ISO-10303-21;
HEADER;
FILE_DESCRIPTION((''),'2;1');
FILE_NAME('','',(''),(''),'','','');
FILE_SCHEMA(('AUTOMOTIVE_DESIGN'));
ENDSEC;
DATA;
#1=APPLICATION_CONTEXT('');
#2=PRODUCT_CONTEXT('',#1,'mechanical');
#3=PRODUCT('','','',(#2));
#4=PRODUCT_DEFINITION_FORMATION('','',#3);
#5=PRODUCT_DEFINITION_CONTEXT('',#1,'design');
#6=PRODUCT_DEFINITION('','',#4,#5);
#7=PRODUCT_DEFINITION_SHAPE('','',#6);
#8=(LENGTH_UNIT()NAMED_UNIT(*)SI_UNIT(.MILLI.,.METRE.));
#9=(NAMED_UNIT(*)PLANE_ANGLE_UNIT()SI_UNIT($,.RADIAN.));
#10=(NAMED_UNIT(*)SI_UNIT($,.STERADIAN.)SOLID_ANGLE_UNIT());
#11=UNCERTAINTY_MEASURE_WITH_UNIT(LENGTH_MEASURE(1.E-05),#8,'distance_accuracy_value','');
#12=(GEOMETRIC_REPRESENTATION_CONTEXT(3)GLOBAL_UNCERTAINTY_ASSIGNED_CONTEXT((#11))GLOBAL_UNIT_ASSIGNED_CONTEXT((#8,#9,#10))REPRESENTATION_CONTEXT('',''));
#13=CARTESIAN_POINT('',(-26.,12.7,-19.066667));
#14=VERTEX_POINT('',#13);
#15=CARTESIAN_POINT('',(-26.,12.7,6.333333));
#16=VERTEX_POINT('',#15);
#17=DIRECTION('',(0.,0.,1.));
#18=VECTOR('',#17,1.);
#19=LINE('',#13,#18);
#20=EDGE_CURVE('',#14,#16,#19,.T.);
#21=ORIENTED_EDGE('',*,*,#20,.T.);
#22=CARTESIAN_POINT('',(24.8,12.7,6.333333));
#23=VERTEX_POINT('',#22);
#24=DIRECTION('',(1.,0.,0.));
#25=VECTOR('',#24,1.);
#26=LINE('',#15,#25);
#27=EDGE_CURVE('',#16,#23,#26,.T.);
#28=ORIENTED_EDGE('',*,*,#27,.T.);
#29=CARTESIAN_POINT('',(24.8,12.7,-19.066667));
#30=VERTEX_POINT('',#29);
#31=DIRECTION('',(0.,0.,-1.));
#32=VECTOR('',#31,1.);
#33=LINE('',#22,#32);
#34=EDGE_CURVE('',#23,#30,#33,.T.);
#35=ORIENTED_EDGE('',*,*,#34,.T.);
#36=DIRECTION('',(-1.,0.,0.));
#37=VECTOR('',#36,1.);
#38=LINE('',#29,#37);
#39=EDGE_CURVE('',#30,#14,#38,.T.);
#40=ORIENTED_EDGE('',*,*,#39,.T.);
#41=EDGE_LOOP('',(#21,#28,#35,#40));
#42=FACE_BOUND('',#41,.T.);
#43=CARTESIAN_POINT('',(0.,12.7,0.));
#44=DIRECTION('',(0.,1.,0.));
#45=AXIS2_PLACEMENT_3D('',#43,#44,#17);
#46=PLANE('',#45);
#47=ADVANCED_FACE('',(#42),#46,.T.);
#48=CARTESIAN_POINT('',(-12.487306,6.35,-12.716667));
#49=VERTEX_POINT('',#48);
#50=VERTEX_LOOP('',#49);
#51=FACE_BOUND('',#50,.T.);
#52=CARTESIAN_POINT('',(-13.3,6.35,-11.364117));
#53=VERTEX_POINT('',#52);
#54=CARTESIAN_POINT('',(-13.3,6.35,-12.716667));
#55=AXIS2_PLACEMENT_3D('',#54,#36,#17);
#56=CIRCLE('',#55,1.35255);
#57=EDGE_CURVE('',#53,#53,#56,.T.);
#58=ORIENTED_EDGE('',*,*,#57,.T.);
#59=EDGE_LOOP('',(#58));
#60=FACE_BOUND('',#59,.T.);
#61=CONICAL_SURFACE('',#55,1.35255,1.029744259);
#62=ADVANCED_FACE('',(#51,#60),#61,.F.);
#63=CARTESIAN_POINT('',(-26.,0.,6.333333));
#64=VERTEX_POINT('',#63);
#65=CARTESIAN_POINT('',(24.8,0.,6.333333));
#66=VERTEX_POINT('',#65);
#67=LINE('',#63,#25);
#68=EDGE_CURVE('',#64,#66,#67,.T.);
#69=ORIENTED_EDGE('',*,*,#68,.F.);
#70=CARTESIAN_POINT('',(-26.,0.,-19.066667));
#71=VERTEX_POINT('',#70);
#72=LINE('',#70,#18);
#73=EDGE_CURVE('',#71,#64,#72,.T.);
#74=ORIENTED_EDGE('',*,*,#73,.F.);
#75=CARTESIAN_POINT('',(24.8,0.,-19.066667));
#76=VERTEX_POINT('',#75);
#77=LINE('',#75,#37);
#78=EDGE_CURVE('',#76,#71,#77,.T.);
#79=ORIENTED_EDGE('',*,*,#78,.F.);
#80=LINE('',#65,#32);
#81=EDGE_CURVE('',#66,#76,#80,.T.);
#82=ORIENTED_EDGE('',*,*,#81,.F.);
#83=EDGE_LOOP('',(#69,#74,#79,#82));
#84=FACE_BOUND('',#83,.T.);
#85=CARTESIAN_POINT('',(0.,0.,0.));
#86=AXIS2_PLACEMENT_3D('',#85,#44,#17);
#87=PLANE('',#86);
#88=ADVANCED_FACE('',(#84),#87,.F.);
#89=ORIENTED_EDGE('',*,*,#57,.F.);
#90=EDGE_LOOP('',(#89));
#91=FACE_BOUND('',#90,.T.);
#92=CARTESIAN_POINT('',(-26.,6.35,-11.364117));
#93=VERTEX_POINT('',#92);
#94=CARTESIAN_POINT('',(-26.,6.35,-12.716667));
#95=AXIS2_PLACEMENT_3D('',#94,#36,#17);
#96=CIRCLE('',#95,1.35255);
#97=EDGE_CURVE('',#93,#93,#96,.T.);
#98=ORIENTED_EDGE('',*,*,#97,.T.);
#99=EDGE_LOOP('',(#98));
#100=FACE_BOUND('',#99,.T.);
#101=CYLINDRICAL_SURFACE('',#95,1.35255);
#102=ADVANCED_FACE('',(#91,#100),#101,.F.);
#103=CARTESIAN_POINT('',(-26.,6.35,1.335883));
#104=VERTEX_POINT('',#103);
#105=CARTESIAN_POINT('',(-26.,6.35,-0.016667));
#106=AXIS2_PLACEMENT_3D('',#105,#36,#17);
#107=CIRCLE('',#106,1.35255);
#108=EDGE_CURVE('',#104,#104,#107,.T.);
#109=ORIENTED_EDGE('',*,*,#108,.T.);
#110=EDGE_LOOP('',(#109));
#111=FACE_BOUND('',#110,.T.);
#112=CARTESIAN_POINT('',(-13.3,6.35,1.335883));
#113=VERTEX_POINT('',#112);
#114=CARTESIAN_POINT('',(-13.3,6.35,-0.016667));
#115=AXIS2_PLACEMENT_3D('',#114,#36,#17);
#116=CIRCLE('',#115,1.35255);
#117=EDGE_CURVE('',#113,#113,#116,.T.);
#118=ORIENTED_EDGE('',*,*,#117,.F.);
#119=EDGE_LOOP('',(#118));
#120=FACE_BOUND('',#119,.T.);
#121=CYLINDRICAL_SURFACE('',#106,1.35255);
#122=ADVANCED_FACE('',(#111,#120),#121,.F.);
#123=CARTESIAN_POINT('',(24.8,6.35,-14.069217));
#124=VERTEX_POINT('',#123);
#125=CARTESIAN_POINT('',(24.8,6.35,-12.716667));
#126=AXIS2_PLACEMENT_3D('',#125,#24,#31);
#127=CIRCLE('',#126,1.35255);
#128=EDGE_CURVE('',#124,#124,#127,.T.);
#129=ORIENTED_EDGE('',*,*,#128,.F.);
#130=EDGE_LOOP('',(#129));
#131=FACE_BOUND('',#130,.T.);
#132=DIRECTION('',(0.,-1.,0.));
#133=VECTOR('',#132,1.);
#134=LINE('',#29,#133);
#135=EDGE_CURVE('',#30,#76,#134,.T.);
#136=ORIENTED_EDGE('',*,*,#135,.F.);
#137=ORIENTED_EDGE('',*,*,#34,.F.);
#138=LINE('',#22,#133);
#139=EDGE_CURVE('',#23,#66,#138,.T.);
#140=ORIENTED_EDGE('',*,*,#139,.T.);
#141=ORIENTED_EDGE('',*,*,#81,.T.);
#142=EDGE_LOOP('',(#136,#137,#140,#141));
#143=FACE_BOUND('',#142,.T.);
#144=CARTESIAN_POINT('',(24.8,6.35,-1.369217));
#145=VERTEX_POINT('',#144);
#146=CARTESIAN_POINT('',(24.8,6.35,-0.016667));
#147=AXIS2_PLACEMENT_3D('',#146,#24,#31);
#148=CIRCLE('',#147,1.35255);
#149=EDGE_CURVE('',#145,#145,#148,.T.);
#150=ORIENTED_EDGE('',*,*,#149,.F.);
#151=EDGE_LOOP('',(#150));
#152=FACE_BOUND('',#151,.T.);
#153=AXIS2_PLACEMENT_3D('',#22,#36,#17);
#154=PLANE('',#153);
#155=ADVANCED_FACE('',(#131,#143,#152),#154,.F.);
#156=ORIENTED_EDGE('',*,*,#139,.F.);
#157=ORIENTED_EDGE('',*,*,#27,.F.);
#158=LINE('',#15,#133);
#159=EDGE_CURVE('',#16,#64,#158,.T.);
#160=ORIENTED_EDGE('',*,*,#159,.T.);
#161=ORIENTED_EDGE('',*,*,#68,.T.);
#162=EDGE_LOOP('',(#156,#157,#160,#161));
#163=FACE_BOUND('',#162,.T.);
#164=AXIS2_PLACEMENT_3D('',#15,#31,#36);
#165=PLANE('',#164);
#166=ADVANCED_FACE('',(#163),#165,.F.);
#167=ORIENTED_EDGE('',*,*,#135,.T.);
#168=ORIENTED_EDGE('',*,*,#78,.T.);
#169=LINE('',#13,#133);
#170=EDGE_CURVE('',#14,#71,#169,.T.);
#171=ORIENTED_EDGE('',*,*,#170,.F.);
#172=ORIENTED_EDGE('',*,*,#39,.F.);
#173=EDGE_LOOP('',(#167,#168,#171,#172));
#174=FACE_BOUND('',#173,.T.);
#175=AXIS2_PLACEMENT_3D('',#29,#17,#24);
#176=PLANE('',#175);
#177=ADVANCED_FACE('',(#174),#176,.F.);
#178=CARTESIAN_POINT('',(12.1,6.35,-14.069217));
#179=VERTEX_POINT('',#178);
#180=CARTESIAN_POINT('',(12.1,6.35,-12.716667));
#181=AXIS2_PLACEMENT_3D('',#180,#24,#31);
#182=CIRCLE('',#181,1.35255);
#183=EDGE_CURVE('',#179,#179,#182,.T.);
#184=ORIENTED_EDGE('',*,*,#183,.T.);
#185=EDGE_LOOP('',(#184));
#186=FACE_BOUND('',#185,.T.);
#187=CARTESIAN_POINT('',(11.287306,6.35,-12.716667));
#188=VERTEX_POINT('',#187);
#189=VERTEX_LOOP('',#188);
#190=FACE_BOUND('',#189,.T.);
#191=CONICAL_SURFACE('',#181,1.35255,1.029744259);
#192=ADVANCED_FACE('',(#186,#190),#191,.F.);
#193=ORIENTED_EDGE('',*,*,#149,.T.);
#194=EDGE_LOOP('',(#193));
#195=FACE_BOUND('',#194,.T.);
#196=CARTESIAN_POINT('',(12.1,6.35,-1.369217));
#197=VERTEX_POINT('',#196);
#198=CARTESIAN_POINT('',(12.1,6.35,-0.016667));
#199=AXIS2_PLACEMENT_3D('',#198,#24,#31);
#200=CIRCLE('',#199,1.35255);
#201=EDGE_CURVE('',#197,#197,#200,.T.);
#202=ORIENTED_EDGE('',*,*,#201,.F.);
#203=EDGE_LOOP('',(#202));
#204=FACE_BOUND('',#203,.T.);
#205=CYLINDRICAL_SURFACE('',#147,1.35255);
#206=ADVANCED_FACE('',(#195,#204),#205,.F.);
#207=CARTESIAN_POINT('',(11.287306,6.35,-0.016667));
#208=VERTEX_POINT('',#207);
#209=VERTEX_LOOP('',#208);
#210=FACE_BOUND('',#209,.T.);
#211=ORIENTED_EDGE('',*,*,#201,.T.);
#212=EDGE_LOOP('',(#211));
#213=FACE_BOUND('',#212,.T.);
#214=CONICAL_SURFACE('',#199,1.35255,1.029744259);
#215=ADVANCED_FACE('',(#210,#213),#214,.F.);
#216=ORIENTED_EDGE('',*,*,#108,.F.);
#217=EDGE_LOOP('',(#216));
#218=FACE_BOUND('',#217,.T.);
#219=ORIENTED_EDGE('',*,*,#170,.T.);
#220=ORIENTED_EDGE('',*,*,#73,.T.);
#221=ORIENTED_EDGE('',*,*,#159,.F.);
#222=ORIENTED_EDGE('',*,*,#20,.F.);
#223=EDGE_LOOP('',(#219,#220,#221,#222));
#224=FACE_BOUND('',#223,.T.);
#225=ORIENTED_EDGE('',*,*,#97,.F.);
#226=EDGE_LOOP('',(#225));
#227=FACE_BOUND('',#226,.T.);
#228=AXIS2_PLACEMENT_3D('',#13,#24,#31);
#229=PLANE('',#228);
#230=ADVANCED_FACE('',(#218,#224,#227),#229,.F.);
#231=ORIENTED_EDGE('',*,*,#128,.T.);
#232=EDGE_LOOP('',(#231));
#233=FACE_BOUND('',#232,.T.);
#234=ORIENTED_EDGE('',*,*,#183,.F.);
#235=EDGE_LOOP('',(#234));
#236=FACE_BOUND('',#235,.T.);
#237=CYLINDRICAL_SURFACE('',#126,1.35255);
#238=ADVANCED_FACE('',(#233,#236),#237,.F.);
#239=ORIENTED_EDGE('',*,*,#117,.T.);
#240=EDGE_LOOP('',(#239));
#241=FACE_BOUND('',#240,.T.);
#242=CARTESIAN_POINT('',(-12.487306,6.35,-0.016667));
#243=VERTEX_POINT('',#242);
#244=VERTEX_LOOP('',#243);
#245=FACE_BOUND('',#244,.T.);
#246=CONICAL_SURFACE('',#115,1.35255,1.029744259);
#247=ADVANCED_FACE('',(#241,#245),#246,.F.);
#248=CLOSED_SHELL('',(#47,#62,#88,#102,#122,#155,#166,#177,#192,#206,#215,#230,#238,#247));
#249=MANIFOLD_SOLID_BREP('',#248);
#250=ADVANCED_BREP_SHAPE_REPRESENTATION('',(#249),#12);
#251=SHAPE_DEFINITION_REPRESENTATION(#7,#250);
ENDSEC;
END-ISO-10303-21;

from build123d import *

# Parameters (mm, degrees)
SKETCH1_W                      = 50.8
SKETCH1_H                      = 25.4
BOSS_EXTRUDE1_DEPTH            = 12.7
F_6_32_TAPPED_HOLE1_AT_2_COUNT = 2
F_6_32_TAPPED_HOLE1_AT_2_PITCH = 12.7


with BuildPart() as part:
    # Sketch1 → Boss-Extrude1 (new body)
    with BuildSketch(Plane(origin=(0, 0, 0), x_dir=(1, 0, 0), z_dir=(0, 1, 0))):
        with Locations((-0.6, 6.366666667)):
            Rectangle(SKETCH1_W, SKETCH1_H)
    extrude(amount=BOSS_EXTRUDE1_DEPTH)

    # Sketch3 → #6-32 Tapped Hole1 (revolve, cut)
    with BuildSketch(Plane(origin=(24.8, 6.35, -0.016666667), x_dir=(0, 0, -1), z_dir=(0, 1, 0))):
        Polygon((0, 0), (0, 13.51269403), (1.35255, 12.7), (1.35255, 0), align=None)
    f_6_32_tapped_hole1 = revolve(axis=Axis((31.15, 6.35, -0.016666667), (-1, 0, 0)), mode=Mode.SUBTRACT)

    # #6-32 Tapped Hole1 at 2: #6-32 Tapped Hole1 ×2
    with Locations(*[(0, 0, -i * F_6_32_TAPPED_HOLE1_AT_2_PITCH) for i in range(1, F_6_32_TAPPED_HOLE1_AT_2_COUNT)]):
        add(f_6_32_tapped_hole1, mode=Mode.SUBTRACT)

    # Mirror1: #6-32 Tapped Hole1 across plane
    add(f_6_32_tapped_hole1.mirror(Plane(origin=(-0.6, 0, 0), x_dir=(0, 0, 1), z_dir=(1, 0, 0))), mode=Mode.SUBTRACT)

    # Mirror1 copy 1 sketch → Mirror1 copy 1 (revolve, cut)
    with BuildSketch(Plane(origin=(-26, 6.35, -12.716666667), x_dir=(0, 0, -1), z_dir=(0, 1, 0))):
        Polygon((0, 0), (0, -13.51269403), (1.35255, -12.7), (1.35255, 0), align=None)
    revolve(axis=Axis((-32.35, 6.35, -12.716666667), (-1, 0, 0)), mode=Mode.SUBTRACT)


solid = part.part
